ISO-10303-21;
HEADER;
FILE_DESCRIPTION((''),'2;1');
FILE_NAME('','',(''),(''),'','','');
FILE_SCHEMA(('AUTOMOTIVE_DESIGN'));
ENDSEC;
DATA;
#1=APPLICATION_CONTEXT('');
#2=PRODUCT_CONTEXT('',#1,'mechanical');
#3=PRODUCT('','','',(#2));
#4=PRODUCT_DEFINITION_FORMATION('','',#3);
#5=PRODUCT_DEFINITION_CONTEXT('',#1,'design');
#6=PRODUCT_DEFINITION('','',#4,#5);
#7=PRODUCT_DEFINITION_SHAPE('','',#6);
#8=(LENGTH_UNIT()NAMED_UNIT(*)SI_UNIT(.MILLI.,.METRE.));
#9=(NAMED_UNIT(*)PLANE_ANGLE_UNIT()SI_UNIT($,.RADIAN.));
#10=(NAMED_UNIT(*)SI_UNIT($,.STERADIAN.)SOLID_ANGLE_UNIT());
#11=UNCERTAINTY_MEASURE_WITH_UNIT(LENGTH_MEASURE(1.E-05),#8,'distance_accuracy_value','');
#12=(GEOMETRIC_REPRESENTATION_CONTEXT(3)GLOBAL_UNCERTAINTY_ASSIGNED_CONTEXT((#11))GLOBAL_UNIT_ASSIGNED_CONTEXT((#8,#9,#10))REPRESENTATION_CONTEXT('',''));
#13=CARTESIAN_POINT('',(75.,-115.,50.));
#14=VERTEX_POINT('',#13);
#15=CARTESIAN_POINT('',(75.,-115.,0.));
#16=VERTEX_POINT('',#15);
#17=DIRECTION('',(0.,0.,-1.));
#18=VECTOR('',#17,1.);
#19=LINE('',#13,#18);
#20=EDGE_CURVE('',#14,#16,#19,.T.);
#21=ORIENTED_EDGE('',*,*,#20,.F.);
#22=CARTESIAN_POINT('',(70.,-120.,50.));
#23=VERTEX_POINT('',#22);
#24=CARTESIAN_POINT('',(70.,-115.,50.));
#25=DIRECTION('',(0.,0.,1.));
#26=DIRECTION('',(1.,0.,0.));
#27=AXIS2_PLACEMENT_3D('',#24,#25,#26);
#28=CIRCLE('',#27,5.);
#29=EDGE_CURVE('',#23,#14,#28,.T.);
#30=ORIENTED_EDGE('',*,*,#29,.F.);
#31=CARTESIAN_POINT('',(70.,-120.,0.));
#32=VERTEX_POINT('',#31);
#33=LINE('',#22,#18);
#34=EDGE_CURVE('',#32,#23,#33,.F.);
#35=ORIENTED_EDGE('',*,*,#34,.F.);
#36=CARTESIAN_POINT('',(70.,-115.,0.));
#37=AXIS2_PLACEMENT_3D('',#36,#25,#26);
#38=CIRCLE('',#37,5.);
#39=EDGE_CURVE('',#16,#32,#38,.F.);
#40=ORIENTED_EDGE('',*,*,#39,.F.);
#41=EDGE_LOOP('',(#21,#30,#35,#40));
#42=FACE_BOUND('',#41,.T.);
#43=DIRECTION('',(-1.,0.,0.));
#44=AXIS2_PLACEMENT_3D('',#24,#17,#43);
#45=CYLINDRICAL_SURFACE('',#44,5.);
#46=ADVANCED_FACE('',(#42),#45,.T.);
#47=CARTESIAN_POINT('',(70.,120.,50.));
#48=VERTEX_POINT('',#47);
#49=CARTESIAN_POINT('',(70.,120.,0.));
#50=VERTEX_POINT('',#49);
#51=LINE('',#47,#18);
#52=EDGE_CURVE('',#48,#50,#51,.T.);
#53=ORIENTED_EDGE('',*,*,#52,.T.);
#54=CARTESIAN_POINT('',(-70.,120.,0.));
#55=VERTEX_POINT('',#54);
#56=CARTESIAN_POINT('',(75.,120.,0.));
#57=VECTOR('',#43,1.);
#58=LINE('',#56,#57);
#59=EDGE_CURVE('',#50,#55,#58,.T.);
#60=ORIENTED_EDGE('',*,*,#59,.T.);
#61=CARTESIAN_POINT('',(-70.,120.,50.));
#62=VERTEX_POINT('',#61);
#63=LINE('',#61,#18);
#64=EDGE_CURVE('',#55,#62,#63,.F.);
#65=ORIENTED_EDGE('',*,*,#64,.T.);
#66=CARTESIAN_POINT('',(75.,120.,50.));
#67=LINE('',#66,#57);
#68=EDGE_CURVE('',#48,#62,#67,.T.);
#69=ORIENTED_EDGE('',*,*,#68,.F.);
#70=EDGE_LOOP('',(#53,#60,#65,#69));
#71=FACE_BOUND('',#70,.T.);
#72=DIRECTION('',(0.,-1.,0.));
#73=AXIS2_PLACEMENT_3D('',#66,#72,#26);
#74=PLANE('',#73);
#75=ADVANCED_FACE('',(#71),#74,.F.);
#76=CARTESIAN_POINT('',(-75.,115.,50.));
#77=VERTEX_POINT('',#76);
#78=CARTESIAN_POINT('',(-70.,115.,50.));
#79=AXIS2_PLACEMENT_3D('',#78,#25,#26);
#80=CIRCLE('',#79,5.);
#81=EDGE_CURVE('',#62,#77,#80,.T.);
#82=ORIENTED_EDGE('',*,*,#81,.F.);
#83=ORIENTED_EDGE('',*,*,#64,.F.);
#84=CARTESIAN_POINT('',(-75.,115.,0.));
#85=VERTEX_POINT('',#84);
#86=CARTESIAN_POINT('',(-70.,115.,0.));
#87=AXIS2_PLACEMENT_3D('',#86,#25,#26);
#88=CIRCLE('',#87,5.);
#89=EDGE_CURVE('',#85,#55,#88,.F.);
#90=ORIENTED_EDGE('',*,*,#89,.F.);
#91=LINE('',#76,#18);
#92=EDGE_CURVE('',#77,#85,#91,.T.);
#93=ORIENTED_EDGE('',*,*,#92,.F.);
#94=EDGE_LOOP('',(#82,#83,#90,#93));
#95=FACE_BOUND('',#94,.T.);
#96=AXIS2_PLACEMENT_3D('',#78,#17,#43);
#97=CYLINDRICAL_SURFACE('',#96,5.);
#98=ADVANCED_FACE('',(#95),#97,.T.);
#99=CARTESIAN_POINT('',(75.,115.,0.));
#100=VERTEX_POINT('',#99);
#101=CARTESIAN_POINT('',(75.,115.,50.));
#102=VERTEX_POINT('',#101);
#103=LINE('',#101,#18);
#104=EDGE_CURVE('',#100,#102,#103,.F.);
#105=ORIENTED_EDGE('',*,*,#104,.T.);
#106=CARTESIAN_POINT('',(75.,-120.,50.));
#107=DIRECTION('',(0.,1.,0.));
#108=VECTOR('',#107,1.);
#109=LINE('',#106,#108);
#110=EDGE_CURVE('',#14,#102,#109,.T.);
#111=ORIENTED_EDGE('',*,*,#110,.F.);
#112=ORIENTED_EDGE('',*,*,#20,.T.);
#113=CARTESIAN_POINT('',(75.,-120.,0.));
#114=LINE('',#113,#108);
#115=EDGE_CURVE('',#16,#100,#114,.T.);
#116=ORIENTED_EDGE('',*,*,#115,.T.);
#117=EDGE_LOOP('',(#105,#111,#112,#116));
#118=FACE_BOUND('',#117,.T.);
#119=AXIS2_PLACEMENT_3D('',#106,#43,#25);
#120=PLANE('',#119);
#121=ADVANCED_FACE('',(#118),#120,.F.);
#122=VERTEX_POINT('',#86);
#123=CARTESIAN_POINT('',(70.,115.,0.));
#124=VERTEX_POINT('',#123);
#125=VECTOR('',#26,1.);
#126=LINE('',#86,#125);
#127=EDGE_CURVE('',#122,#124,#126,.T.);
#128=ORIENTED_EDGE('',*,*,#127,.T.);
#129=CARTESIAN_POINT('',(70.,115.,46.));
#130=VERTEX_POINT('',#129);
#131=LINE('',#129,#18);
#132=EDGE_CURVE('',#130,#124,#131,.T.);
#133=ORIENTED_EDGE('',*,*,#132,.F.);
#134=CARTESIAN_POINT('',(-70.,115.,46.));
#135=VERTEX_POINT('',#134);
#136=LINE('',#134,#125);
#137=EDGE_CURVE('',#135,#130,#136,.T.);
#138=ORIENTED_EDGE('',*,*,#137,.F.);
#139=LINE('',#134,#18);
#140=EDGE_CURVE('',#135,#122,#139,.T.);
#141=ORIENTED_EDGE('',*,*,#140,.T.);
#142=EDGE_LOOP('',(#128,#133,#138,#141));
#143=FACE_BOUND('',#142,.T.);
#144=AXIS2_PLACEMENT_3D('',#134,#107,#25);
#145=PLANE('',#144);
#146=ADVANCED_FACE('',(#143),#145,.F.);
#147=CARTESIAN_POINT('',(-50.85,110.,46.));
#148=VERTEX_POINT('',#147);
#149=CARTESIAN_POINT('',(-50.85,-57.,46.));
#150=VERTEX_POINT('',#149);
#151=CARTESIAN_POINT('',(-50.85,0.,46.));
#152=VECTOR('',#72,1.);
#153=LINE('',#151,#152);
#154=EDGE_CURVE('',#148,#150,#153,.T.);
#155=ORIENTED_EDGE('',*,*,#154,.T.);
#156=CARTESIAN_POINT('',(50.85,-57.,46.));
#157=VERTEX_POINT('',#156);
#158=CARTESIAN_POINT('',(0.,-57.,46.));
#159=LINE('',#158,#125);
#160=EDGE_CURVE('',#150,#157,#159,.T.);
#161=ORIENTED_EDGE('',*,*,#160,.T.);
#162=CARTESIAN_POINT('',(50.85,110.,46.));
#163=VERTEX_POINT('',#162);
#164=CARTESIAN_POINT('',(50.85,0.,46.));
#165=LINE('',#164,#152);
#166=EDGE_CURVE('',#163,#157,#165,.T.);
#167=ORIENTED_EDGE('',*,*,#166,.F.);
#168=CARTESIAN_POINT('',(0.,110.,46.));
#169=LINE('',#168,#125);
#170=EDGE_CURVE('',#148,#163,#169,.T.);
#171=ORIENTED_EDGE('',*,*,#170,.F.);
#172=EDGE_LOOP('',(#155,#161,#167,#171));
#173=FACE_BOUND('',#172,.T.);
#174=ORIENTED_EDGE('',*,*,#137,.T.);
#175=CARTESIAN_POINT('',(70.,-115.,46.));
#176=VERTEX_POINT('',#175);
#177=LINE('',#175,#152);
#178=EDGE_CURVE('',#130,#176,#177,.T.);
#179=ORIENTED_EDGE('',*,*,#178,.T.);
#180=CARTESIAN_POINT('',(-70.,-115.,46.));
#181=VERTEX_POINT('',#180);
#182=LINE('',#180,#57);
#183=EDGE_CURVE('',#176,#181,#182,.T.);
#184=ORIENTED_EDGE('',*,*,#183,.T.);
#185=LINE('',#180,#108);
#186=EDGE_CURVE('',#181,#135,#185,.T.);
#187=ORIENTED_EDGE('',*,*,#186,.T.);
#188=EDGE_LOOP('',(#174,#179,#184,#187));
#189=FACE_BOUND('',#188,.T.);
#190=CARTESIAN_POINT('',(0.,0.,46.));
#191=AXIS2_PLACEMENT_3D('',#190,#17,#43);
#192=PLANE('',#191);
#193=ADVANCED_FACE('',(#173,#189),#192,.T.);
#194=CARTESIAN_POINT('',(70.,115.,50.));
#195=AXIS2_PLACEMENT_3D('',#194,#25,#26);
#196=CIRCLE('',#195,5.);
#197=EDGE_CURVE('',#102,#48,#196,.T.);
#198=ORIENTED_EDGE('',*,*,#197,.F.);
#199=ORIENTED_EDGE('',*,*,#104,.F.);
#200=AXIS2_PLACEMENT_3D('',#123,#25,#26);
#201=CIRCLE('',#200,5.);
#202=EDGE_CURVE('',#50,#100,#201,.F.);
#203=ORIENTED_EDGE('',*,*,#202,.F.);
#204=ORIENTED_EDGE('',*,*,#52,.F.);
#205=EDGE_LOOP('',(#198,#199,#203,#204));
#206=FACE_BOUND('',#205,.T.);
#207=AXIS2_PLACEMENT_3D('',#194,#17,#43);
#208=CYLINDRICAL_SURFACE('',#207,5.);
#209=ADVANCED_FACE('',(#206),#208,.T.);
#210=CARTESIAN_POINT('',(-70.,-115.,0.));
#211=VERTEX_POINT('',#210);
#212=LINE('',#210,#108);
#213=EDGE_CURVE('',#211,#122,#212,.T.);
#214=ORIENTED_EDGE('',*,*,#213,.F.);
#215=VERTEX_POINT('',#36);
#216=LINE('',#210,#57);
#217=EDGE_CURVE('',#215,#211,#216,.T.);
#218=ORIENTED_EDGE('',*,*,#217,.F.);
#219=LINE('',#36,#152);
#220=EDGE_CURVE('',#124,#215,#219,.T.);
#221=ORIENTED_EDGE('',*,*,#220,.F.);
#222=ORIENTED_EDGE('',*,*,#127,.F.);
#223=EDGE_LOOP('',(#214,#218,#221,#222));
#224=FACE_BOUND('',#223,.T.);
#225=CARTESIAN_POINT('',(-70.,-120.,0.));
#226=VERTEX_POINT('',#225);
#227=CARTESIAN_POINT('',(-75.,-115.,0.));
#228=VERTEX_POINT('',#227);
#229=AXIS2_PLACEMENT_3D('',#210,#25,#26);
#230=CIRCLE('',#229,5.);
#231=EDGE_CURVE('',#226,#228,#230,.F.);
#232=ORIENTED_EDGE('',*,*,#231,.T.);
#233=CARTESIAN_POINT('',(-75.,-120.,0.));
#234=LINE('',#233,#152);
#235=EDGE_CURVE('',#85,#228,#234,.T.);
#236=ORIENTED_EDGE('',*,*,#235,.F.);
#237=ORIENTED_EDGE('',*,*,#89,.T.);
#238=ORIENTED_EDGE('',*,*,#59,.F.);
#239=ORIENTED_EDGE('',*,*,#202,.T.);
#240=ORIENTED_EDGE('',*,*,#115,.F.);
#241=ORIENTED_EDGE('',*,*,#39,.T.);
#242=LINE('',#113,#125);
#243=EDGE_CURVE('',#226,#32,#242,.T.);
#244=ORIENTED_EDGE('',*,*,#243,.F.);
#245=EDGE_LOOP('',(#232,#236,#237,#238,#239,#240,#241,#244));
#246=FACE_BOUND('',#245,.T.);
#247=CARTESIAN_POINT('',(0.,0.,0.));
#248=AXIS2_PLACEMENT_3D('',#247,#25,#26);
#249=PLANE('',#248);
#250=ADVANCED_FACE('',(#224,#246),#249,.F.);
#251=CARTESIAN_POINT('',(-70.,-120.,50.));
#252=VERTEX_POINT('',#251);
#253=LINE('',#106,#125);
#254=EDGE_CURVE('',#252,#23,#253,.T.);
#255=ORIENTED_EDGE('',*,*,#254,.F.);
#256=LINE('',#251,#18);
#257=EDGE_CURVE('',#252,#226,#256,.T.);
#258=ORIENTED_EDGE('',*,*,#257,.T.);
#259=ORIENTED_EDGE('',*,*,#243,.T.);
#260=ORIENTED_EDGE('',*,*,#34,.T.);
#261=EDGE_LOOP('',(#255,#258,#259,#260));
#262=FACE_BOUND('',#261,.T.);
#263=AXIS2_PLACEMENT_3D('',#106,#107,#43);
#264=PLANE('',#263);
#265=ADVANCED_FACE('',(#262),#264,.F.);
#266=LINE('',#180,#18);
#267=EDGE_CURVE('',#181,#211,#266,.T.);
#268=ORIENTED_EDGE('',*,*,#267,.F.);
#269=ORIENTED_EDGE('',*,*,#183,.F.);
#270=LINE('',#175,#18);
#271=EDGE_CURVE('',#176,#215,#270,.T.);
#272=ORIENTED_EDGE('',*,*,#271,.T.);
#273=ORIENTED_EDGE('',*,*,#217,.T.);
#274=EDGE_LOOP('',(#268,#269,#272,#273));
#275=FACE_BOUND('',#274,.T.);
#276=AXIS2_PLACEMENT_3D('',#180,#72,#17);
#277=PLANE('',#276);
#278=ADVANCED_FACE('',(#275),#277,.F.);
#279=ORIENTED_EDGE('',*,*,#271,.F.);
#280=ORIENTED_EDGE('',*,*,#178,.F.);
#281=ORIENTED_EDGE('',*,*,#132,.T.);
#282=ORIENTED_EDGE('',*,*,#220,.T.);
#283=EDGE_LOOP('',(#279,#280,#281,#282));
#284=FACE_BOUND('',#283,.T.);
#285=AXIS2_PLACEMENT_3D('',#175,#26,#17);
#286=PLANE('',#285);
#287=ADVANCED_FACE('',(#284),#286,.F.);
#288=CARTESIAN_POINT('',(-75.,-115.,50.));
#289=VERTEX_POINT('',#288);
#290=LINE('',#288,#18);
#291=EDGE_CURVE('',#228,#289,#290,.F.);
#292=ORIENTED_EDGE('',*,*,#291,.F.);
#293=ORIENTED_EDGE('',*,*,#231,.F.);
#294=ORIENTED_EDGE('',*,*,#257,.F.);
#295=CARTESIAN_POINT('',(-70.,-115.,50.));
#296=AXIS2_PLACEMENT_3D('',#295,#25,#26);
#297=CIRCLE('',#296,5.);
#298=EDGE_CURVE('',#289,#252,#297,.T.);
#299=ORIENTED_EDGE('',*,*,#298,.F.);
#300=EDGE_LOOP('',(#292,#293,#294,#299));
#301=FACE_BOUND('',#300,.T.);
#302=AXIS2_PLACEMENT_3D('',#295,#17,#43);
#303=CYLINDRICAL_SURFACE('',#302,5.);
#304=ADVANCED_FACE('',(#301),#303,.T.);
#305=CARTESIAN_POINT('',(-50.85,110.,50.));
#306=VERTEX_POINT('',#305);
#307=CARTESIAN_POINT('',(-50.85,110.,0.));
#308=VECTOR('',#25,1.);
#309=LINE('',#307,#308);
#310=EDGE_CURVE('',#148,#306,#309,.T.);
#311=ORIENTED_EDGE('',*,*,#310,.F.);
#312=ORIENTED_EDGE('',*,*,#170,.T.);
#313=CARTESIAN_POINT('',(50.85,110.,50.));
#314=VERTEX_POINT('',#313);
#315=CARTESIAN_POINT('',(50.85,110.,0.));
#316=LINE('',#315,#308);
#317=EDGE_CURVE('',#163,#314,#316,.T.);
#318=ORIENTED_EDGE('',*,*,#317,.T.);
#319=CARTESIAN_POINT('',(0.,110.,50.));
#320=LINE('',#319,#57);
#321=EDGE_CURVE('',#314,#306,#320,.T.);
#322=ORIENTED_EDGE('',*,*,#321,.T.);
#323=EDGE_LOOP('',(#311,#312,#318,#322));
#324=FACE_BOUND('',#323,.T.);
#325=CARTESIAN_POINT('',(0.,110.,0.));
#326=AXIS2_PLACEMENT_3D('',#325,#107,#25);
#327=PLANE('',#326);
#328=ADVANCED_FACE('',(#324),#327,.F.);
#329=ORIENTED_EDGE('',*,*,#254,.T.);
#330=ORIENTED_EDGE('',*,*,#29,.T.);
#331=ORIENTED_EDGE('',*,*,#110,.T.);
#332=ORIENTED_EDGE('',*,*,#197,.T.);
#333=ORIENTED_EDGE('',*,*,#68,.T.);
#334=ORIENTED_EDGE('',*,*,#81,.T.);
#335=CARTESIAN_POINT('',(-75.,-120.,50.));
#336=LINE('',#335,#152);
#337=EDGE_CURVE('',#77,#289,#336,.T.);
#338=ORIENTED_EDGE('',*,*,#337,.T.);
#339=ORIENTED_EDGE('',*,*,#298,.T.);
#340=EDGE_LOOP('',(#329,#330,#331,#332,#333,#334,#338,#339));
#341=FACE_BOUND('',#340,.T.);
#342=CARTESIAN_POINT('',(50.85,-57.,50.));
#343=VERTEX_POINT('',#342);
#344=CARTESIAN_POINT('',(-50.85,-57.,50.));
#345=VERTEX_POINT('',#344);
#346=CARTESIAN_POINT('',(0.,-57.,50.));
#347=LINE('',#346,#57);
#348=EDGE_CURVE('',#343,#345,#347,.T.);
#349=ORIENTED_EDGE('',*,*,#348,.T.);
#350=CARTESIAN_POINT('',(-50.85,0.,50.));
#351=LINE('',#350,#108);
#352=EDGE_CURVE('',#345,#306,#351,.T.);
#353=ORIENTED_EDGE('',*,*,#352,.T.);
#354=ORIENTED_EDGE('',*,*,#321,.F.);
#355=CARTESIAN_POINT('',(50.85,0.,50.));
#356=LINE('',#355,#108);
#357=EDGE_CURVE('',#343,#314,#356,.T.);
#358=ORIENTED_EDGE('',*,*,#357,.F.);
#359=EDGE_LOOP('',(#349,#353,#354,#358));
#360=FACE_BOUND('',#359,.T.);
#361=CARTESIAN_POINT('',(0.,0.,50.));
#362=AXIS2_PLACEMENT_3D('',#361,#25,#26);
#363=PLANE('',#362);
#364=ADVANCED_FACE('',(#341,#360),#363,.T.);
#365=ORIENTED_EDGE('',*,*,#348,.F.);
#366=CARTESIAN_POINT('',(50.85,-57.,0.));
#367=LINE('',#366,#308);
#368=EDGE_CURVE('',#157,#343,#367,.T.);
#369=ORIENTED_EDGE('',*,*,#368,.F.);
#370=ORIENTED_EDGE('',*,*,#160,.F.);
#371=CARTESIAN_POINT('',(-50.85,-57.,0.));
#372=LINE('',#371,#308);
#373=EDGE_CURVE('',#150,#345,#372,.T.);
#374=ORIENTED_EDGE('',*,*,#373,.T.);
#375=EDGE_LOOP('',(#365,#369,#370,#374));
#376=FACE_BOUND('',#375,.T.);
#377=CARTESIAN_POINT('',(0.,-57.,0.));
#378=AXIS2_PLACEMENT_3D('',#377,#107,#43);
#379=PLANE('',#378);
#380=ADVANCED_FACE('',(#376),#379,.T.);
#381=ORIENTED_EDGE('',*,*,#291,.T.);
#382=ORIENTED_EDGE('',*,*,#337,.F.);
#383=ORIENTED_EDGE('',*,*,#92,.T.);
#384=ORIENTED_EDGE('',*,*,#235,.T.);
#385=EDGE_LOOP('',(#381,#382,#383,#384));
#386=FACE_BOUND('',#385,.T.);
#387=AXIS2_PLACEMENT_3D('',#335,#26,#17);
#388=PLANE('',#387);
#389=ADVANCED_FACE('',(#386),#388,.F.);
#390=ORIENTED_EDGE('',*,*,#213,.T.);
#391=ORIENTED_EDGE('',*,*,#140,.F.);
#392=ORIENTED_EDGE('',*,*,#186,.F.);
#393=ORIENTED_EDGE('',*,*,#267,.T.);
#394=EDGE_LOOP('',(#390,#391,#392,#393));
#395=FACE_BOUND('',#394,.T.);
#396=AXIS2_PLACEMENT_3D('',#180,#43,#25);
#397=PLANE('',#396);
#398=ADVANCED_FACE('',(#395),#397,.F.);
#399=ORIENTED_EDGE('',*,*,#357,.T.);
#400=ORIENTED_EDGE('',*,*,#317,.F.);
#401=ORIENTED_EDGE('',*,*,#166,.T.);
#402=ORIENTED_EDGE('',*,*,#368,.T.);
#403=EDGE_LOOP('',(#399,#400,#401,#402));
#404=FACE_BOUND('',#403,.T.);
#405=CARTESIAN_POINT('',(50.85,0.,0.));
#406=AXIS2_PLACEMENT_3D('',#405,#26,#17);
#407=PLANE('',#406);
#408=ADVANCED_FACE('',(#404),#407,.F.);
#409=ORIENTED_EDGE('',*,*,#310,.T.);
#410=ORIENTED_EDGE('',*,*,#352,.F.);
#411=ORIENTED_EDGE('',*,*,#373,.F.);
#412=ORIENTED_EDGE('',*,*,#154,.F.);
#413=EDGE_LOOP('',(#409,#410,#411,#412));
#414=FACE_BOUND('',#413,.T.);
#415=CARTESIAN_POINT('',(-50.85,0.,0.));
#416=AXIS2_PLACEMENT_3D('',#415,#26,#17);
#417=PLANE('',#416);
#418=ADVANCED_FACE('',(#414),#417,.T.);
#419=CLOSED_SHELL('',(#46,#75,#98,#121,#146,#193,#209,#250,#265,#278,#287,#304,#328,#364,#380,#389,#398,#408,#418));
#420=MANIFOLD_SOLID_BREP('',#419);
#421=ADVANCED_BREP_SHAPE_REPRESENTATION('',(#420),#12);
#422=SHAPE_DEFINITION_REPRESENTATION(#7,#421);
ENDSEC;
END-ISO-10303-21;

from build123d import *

# Parameters (mm, degrees)
ESQUISSE1_W             = 150
ESQUISSE1_H             = 240
BOSS_EXTRU_1_DEPTH      = 50
ESQUISSE2_W             = 140
ESQUISSE2_H             = 230
ENL_V_MAT_EXTRU_1_DEPTH = 46
ESQUISSE3_W             = 101.7
ESQUISSE3_H             = 167
ENL_V_MAT_EXTRU_2_DEPTH = 151.083310198
CONG_1_R                = 5


with BuildPart() as part:
    # Esquisse1 → Boss.-Extru.1 (new body)
    with BuildSketch(Plane.XY):
        Rectangle(ESQUISSE1_W, ESQUISSE1_H)
    extrude(amount=BOSS_EXTRU_1_DEPTH)

    # Esquisse2 → Enlèv. mat.-Extru.1 (cut)
    with BuildSketch(Plane(origin=(0, 0, 0), x_dir=(-1, 0, 0), z_dir=(0, 0, -1))):
        Rectangle(ESQUISSE2_W, ESQUISSE2_H)
    extrude(amount=-ENL_V_MAT_EXTRU_1_DEPTH, mode=Mode.SUBTRACT)

    # Esquisse3 → Enlèv. mat.-Extru.2 (cut, through all)
    with BuildSketch(Plane.XY.offset(50)):
        with Locations((0, 26.5)):
            Rectangle(ESQUISSE3_W, ESQUISSE3_H)
    extrude(amount=-ENL_V_MAT_EXTRU_2_DEPTH, mode=Mode.SUBTRACT)

    # Congé1
    cong_1_edges = [part.edges().sort_by_distance(p)[0] for p in [
        (-75, 120, 25),
        (75, 120, 25),
        (75, -120, 25),
        (-75, -120, 25),
    ]]
    fillet(cong_1_edges, radius=CONG_1_R)


solid = part.part
